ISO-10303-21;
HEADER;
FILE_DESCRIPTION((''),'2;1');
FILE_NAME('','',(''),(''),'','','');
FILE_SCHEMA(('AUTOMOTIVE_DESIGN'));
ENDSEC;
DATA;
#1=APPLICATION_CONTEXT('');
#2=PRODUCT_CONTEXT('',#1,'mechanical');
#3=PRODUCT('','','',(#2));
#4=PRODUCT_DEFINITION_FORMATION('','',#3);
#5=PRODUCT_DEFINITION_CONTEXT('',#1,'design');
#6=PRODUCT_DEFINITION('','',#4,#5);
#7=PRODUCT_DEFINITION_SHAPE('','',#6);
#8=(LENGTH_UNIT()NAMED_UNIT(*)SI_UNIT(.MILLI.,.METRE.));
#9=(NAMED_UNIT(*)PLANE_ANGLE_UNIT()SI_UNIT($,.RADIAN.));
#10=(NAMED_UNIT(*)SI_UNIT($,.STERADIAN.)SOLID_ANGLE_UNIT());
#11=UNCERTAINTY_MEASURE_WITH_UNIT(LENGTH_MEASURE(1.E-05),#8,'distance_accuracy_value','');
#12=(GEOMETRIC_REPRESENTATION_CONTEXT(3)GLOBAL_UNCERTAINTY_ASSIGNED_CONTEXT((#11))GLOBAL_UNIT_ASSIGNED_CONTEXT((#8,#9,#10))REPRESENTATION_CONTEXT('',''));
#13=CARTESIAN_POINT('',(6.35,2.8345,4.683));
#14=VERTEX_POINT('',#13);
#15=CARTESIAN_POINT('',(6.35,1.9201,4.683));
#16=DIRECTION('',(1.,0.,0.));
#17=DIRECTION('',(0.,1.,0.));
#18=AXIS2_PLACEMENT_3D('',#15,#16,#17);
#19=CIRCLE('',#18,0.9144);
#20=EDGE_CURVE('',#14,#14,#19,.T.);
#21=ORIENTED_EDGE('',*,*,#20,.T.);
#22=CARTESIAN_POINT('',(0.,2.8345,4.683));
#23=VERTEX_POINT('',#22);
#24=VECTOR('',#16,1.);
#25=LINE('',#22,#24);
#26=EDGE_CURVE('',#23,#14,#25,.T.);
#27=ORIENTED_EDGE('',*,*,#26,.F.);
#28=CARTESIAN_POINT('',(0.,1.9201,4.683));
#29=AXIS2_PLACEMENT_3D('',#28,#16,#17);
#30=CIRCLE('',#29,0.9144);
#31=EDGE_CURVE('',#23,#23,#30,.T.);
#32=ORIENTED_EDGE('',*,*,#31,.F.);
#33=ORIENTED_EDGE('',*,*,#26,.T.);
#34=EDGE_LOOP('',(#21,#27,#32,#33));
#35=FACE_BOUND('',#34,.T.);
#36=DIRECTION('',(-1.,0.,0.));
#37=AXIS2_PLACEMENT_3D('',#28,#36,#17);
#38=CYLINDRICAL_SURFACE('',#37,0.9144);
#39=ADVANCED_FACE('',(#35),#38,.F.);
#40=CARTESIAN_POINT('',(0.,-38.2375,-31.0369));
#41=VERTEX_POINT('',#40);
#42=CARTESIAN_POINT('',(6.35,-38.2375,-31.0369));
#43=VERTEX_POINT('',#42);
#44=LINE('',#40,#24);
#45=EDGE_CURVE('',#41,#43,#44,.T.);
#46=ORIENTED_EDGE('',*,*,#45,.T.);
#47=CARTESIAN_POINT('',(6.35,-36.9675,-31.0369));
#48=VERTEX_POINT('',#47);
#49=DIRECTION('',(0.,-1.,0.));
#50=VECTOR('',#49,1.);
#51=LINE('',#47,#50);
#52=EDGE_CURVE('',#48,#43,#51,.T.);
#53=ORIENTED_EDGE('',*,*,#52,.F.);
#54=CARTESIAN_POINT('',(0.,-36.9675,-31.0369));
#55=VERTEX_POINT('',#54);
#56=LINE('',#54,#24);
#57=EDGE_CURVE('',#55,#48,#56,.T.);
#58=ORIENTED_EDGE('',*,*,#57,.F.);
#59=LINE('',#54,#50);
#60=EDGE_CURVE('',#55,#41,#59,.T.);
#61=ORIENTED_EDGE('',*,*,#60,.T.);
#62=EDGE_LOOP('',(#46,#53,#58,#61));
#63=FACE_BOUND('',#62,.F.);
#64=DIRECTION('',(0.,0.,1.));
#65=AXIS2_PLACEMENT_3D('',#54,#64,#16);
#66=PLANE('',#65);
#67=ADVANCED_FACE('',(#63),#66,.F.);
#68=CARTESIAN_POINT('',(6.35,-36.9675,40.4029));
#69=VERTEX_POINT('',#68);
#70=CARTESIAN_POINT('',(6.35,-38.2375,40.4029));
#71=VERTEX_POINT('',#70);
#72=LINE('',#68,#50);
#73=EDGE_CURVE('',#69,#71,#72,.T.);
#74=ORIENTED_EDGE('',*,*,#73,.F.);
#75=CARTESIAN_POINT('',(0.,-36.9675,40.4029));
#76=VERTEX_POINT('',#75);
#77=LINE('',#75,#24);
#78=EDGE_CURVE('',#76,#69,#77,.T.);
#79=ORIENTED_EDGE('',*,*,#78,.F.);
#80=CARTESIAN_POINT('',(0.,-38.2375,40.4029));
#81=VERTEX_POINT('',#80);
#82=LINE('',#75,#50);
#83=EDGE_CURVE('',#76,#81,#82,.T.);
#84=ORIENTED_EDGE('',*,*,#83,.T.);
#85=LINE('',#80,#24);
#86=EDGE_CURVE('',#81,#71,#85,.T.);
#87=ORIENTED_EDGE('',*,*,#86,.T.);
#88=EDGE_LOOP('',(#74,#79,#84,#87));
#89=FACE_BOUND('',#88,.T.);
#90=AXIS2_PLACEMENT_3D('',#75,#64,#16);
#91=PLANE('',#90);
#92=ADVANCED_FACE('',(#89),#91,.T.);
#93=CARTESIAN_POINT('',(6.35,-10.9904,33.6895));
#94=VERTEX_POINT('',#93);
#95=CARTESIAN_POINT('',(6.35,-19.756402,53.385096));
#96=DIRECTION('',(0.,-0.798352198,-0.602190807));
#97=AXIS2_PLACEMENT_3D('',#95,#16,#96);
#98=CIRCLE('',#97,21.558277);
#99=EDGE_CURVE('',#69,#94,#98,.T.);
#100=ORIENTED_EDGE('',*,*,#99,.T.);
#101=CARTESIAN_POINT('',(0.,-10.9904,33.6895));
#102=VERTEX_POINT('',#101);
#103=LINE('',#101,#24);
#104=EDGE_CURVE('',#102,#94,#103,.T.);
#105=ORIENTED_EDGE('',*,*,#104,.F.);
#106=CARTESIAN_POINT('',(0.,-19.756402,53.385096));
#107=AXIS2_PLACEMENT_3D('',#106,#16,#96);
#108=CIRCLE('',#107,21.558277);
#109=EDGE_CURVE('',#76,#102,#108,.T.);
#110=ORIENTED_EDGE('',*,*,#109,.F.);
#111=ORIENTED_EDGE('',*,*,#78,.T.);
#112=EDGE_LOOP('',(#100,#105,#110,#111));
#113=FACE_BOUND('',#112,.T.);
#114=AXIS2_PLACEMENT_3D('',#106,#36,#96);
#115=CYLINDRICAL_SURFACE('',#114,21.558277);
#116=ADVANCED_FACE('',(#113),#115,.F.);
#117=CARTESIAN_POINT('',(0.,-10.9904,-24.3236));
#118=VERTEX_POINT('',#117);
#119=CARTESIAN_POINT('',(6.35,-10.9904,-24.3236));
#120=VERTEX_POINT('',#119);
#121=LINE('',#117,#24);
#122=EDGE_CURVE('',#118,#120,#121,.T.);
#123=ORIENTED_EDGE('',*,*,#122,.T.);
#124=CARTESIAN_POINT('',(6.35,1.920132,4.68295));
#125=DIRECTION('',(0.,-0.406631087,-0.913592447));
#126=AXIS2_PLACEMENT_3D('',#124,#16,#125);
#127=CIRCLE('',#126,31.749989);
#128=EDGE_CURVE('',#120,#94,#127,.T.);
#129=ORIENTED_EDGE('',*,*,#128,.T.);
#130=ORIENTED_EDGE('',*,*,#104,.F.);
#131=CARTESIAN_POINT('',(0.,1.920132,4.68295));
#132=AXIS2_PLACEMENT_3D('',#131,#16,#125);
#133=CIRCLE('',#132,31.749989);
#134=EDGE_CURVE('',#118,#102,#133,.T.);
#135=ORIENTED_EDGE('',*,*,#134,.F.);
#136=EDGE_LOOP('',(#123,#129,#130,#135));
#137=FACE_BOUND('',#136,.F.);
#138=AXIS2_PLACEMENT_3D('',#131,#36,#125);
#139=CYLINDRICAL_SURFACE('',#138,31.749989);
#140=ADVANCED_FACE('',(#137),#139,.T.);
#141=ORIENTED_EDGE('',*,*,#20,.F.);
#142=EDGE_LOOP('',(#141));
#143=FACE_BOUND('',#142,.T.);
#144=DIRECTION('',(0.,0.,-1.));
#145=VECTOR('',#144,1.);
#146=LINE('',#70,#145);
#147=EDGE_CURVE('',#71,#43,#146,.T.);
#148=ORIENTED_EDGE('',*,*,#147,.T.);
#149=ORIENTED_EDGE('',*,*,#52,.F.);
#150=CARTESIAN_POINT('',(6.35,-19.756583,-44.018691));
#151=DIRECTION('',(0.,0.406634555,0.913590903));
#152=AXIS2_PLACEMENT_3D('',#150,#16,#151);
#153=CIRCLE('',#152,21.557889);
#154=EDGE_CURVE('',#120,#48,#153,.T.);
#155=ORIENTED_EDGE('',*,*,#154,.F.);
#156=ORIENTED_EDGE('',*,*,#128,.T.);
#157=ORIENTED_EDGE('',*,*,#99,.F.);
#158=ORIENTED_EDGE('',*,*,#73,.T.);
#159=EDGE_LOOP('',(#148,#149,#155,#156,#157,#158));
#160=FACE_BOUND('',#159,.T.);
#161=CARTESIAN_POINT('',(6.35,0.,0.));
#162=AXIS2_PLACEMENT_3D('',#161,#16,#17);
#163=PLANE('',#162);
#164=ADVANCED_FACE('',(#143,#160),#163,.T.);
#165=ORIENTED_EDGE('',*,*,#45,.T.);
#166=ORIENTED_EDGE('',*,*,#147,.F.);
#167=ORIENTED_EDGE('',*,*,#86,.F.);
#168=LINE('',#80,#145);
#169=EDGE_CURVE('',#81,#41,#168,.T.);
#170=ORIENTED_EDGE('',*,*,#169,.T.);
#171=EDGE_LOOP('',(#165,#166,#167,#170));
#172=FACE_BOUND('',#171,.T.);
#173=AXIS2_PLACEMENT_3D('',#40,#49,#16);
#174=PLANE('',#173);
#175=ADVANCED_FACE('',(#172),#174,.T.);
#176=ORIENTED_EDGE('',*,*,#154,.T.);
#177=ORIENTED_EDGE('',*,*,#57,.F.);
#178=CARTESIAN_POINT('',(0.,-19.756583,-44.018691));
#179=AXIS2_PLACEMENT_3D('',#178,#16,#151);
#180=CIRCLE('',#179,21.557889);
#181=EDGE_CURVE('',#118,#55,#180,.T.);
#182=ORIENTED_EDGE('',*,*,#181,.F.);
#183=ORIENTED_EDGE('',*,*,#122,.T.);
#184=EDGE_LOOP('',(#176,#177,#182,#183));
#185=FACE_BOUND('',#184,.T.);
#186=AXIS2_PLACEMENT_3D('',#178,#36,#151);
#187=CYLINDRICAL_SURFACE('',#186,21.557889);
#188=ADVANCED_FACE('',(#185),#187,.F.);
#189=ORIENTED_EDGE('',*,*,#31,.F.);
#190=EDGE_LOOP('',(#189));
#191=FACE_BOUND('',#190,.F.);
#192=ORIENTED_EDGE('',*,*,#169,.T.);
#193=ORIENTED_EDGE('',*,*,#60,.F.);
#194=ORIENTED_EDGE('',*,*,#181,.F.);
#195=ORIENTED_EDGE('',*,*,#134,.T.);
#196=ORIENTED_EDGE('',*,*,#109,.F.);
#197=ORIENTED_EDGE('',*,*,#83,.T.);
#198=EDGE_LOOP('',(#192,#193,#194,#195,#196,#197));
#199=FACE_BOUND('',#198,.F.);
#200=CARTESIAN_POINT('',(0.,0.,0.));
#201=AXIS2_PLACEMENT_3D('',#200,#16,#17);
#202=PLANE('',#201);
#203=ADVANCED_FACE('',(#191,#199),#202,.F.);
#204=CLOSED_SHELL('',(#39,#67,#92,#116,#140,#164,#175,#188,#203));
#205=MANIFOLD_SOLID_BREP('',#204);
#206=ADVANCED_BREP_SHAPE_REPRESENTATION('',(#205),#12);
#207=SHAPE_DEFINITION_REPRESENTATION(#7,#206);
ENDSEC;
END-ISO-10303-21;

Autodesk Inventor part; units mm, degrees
ref_plane "YZ Plane" through (0, 0, 0) normal (1, 0, 0) x (0, 1, 0)
ref_plane "XZ Plane" through (0, 0, 0) normal (0, 1, 0) x (-1, 0, 0)
ref_plane "XY Plane" through (0, 0, 0) normal (0, 0, 1) x (1, 0, 0)
sketch "Sketch1" plane through (0, 0, 0) normal (1, 0, 0) x (0, 1, 0)
  arc A0 (-10.9904, -24.3236) -> (-10.9904, 33.6895) centre (1.9201, 4.683) ccw
  arc A1 (-36.9675, 40.4029) -> (-10.9904, 33.6895) centre (-19.7566, 53.3848) ccw
  arc A2 (-10.9904, -24.3236) -> (-36.9675, -31.0369) centre (-19.7566, -44.0189) ccw
  line L0 (-36.9675, 40.4029) -> (-36.9675, -31.0369)
  circle A3 centre (1.9201, 4.683) radius 0.9144
  dimension "d1" = 1.8288
extrude "Extrusion1" add sketch "Sketch1" along normal blind 6.35
sketch "Sketch2" plane through (0, -36.9675, -31.0369) normal (0, -1, 0) x (1, 0, 0)
  point P0 (0, 31.0369)
sketch "Sketch3" plane through (0, -36.9675, -31.0369) normal (0, -1, 0) x (1, 0, 0)
  line L0 (6.35, 71.4398) -> (6.35, 62.8637) projected
  line L1 (0, 71.4398) -> (6.35, 71.4398) projected
  line L2 (6.35, 71.4398) -> (0, 71.4398)
  line L3 (0, 71.4398) -> (0, 0) projected
  line L4 (0, 71.4398) -> (0, 0)
  line L5 (0, 0) -> (6.35, 0) projected
  line L6 (0, 0) -> (6.35, 0)
  line L7 (6.35, 0) -> (6.35, 71.4398)
  point P0 (0, 31.0369)
  point P1 (6.35, 64.7265)
extrude "Extrusion2" add sketch "Sketch3" along normal blind 1.27
properties part number "Base Hinge 2x"
